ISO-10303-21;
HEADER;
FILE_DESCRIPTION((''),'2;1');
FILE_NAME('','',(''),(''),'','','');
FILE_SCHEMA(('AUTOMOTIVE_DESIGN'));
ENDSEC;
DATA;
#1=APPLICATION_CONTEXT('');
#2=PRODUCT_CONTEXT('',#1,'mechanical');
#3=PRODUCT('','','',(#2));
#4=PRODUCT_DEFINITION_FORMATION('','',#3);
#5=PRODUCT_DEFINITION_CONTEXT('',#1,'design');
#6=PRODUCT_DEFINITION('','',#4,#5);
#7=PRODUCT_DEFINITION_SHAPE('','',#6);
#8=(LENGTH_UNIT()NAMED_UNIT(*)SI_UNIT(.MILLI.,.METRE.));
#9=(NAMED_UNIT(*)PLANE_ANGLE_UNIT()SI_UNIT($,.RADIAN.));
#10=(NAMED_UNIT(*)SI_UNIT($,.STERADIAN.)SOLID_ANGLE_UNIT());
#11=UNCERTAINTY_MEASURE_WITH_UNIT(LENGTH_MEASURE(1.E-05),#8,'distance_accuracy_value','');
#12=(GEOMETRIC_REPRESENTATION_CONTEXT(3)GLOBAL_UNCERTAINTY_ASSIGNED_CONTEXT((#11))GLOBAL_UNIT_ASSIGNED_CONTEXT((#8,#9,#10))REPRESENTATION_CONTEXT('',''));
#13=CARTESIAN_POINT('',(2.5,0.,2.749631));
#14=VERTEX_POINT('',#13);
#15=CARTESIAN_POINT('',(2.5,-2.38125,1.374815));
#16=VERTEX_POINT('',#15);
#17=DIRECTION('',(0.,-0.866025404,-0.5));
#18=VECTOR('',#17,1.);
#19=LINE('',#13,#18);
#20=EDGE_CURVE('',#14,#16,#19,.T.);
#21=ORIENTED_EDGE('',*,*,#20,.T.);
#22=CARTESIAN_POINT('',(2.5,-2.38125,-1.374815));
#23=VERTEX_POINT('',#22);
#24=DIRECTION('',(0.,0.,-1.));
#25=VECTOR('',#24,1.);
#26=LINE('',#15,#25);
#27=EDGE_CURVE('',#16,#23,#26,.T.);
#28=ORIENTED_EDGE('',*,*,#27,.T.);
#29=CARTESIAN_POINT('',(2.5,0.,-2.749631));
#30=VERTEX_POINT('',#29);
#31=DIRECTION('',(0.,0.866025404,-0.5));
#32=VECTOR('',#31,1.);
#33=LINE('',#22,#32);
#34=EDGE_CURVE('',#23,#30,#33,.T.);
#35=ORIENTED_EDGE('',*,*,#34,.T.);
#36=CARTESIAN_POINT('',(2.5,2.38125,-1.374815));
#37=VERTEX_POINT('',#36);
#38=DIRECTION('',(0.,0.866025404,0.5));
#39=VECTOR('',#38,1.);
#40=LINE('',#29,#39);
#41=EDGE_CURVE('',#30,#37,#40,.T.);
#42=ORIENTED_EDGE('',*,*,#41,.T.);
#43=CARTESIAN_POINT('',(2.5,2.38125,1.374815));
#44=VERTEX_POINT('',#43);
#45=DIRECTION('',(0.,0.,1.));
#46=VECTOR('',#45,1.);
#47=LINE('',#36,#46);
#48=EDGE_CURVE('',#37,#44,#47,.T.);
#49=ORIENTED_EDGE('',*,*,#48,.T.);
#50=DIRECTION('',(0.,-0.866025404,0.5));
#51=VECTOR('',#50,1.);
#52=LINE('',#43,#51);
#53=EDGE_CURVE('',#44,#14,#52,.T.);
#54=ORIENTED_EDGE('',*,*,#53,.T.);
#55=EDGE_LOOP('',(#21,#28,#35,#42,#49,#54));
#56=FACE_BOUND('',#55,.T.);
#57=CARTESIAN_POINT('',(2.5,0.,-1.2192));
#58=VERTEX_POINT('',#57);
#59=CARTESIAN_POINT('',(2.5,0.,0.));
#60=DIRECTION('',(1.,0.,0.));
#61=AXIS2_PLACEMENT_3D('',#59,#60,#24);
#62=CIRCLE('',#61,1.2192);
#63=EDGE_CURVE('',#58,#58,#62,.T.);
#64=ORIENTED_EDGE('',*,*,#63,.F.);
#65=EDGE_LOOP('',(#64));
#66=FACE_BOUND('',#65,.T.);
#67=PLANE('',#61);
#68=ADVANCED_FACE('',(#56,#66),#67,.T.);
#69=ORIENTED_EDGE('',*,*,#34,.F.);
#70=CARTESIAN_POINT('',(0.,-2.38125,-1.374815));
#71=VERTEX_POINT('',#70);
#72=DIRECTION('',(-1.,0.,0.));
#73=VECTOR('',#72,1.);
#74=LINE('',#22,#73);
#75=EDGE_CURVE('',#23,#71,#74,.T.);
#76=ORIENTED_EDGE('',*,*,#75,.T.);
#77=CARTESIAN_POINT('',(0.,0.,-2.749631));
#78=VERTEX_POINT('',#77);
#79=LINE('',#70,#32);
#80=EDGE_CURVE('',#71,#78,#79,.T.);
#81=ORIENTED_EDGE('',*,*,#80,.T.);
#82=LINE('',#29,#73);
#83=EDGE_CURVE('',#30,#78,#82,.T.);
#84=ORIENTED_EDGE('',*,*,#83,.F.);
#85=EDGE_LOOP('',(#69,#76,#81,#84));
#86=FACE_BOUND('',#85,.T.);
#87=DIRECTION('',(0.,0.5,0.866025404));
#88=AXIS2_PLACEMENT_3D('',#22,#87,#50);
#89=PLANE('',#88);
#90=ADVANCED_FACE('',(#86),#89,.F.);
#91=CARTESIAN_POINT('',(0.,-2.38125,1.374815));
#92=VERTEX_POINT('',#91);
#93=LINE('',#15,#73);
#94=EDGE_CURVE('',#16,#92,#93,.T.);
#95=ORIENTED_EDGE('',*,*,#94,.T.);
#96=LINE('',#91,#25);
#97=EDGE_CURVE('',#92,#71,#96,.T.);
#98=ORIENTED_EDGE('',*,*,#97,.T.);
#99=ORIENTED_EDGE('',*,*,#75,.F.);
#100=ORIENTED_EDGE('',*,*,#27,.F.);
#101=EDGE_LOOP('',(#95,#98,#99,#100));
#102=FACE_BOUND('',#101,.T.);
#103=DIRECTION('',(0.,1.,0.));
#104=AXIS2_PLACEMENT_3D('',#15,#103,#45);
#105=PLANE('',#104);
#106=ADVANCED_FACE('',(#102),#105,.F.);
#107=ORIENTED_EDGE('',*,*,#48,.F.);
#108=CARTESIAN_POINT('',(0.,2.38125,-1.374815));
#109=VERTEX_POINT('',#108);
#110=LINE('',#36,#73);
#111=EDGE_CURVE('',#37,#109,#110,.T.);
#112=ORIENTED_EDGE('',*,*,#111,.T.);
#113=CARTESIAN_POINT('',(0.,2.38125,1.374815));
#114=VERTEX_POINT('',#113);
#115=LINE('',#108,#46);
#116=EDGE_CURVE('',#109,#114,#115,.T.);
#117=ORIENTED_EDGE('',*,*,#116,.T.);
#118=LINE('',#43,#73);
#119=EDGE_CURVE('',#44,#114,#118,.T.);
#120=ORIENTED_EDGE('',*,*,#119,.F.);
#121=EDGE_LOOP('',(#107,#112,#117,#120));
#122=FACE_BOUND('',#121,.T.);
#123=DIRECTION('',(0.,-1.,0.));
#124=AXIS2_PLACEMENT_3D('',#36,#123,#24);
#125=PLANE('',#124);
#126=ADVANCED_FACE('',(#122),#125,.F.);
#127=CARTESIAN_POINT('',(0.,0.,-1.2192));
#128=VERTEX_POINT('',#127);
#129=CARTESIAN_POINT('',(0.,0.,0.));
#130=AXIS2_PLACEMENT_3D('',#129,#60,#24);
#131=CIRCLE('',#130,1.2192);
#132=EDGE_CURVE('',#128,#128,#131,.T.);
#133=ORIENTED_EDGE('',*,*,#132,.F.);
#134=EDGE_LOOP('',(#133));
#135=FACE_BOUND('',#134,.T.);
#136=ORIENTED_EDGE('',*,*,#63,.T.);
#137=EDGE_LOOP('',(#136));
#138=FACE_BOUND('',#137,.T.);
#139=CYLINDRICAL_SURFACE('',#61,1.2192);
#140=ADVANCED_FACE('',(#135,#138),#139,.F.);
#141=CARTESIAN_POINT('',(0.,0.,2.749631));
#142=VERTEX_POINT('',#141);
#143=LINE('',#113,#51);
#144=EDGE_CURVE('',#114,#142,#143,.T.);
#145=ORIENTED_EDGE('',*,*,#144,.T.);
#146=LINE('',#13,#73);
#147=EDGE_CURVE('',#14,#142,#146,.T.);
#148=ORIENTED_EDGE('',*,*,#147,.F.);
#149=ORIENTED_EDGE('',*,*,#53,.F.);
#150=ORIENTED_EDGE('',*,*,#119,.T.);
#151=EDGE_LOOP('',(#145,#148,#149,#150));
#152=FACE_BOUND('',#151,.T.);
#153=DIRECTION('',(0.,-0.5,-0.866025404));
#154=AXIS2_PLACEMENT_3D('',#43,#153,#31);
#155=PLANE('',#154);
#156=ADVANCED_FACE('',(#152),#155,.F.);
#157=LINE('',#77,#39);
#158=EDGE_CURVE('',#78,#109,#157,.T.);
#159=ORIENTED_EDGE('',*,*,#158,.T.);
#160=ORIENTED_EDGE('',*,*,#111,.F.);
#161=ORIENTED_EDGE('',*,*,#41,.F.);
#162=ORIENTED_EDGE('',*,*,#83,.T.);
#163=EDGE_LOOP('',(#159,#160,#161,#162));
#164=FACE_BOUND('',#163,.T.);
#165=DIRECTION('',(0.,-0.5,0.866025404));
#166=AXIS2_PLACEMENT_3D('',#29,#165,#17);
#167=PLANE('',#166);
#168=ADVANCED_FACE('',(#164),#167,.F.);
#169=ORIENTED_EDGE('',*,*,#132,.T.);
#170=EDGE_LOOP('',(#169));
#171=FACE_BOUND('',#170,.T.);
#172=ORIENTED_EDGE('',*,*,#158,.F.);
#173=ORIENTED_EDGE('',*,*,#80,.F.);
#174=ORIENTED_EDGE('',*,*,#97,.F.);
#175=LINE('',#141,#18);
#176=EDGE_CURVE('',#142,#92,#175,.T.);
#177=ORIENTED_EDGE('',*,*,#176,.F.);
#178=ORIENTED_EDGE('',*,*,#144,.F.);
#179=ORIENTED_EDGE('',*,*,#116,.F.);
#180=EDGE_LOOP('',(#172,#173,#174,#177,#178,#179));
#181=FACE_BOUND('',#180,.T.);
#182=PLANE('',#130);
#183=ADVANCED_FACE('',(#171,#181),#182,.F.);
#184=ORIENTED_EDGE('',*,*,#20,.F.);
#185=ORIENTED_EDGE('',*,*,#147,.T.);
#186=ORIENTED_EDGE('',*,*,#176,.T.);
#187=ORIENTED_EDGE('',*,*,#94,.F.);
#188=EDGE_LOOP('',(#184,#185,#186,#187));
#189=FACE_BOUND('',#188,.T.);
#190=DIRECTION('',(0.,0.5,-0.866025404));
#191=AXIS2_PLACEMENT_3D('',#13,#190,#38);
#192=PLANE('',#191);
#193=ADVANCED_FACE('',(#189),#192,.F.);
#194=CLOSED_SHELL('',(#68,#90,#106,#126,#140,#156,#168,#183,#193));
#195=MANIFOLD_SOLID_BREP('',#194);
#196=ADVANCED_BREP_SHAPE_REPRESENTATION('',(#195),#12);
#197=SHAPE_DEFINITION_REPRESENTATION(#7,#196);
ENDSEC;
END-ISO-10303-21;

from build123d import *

# Parameters (mm, degrees)
BOSS_EXTRUDE1_DEPTH   = 2.5
F_2_CLEARANCE_HOLE1_D = 2.4384


with BuildPart() as part:
    # Sketch1 → Boss-Extrude1 (new body)
    with BuildSketch(Plane(origin=(0, 0, 0), x_dir=(0, 0, -1), z_dir=(1, 0, 0))):
        Polygon((2.749630657, 0), (1.374815329, 2.38125), (-1.374815329, 2.38125), (-2.749630657, 0), (-1.374815329, -2.38125), (1.374815329, -2.38125), align=None)
    extrude(amount=BOSS_EXTRUDE1_DEPTH)

    # #2 Clearance Hole1 (through all)
    with Locations(Plane(origin=(2.5, 0, 0), x_dir=(0, 0, -1), z_dir=(1, 0, 0))):
        with Locations((0, 0)):
            Hole(F_2_CLEARANCE_HOLE1_D / 2)


solid = part.part
